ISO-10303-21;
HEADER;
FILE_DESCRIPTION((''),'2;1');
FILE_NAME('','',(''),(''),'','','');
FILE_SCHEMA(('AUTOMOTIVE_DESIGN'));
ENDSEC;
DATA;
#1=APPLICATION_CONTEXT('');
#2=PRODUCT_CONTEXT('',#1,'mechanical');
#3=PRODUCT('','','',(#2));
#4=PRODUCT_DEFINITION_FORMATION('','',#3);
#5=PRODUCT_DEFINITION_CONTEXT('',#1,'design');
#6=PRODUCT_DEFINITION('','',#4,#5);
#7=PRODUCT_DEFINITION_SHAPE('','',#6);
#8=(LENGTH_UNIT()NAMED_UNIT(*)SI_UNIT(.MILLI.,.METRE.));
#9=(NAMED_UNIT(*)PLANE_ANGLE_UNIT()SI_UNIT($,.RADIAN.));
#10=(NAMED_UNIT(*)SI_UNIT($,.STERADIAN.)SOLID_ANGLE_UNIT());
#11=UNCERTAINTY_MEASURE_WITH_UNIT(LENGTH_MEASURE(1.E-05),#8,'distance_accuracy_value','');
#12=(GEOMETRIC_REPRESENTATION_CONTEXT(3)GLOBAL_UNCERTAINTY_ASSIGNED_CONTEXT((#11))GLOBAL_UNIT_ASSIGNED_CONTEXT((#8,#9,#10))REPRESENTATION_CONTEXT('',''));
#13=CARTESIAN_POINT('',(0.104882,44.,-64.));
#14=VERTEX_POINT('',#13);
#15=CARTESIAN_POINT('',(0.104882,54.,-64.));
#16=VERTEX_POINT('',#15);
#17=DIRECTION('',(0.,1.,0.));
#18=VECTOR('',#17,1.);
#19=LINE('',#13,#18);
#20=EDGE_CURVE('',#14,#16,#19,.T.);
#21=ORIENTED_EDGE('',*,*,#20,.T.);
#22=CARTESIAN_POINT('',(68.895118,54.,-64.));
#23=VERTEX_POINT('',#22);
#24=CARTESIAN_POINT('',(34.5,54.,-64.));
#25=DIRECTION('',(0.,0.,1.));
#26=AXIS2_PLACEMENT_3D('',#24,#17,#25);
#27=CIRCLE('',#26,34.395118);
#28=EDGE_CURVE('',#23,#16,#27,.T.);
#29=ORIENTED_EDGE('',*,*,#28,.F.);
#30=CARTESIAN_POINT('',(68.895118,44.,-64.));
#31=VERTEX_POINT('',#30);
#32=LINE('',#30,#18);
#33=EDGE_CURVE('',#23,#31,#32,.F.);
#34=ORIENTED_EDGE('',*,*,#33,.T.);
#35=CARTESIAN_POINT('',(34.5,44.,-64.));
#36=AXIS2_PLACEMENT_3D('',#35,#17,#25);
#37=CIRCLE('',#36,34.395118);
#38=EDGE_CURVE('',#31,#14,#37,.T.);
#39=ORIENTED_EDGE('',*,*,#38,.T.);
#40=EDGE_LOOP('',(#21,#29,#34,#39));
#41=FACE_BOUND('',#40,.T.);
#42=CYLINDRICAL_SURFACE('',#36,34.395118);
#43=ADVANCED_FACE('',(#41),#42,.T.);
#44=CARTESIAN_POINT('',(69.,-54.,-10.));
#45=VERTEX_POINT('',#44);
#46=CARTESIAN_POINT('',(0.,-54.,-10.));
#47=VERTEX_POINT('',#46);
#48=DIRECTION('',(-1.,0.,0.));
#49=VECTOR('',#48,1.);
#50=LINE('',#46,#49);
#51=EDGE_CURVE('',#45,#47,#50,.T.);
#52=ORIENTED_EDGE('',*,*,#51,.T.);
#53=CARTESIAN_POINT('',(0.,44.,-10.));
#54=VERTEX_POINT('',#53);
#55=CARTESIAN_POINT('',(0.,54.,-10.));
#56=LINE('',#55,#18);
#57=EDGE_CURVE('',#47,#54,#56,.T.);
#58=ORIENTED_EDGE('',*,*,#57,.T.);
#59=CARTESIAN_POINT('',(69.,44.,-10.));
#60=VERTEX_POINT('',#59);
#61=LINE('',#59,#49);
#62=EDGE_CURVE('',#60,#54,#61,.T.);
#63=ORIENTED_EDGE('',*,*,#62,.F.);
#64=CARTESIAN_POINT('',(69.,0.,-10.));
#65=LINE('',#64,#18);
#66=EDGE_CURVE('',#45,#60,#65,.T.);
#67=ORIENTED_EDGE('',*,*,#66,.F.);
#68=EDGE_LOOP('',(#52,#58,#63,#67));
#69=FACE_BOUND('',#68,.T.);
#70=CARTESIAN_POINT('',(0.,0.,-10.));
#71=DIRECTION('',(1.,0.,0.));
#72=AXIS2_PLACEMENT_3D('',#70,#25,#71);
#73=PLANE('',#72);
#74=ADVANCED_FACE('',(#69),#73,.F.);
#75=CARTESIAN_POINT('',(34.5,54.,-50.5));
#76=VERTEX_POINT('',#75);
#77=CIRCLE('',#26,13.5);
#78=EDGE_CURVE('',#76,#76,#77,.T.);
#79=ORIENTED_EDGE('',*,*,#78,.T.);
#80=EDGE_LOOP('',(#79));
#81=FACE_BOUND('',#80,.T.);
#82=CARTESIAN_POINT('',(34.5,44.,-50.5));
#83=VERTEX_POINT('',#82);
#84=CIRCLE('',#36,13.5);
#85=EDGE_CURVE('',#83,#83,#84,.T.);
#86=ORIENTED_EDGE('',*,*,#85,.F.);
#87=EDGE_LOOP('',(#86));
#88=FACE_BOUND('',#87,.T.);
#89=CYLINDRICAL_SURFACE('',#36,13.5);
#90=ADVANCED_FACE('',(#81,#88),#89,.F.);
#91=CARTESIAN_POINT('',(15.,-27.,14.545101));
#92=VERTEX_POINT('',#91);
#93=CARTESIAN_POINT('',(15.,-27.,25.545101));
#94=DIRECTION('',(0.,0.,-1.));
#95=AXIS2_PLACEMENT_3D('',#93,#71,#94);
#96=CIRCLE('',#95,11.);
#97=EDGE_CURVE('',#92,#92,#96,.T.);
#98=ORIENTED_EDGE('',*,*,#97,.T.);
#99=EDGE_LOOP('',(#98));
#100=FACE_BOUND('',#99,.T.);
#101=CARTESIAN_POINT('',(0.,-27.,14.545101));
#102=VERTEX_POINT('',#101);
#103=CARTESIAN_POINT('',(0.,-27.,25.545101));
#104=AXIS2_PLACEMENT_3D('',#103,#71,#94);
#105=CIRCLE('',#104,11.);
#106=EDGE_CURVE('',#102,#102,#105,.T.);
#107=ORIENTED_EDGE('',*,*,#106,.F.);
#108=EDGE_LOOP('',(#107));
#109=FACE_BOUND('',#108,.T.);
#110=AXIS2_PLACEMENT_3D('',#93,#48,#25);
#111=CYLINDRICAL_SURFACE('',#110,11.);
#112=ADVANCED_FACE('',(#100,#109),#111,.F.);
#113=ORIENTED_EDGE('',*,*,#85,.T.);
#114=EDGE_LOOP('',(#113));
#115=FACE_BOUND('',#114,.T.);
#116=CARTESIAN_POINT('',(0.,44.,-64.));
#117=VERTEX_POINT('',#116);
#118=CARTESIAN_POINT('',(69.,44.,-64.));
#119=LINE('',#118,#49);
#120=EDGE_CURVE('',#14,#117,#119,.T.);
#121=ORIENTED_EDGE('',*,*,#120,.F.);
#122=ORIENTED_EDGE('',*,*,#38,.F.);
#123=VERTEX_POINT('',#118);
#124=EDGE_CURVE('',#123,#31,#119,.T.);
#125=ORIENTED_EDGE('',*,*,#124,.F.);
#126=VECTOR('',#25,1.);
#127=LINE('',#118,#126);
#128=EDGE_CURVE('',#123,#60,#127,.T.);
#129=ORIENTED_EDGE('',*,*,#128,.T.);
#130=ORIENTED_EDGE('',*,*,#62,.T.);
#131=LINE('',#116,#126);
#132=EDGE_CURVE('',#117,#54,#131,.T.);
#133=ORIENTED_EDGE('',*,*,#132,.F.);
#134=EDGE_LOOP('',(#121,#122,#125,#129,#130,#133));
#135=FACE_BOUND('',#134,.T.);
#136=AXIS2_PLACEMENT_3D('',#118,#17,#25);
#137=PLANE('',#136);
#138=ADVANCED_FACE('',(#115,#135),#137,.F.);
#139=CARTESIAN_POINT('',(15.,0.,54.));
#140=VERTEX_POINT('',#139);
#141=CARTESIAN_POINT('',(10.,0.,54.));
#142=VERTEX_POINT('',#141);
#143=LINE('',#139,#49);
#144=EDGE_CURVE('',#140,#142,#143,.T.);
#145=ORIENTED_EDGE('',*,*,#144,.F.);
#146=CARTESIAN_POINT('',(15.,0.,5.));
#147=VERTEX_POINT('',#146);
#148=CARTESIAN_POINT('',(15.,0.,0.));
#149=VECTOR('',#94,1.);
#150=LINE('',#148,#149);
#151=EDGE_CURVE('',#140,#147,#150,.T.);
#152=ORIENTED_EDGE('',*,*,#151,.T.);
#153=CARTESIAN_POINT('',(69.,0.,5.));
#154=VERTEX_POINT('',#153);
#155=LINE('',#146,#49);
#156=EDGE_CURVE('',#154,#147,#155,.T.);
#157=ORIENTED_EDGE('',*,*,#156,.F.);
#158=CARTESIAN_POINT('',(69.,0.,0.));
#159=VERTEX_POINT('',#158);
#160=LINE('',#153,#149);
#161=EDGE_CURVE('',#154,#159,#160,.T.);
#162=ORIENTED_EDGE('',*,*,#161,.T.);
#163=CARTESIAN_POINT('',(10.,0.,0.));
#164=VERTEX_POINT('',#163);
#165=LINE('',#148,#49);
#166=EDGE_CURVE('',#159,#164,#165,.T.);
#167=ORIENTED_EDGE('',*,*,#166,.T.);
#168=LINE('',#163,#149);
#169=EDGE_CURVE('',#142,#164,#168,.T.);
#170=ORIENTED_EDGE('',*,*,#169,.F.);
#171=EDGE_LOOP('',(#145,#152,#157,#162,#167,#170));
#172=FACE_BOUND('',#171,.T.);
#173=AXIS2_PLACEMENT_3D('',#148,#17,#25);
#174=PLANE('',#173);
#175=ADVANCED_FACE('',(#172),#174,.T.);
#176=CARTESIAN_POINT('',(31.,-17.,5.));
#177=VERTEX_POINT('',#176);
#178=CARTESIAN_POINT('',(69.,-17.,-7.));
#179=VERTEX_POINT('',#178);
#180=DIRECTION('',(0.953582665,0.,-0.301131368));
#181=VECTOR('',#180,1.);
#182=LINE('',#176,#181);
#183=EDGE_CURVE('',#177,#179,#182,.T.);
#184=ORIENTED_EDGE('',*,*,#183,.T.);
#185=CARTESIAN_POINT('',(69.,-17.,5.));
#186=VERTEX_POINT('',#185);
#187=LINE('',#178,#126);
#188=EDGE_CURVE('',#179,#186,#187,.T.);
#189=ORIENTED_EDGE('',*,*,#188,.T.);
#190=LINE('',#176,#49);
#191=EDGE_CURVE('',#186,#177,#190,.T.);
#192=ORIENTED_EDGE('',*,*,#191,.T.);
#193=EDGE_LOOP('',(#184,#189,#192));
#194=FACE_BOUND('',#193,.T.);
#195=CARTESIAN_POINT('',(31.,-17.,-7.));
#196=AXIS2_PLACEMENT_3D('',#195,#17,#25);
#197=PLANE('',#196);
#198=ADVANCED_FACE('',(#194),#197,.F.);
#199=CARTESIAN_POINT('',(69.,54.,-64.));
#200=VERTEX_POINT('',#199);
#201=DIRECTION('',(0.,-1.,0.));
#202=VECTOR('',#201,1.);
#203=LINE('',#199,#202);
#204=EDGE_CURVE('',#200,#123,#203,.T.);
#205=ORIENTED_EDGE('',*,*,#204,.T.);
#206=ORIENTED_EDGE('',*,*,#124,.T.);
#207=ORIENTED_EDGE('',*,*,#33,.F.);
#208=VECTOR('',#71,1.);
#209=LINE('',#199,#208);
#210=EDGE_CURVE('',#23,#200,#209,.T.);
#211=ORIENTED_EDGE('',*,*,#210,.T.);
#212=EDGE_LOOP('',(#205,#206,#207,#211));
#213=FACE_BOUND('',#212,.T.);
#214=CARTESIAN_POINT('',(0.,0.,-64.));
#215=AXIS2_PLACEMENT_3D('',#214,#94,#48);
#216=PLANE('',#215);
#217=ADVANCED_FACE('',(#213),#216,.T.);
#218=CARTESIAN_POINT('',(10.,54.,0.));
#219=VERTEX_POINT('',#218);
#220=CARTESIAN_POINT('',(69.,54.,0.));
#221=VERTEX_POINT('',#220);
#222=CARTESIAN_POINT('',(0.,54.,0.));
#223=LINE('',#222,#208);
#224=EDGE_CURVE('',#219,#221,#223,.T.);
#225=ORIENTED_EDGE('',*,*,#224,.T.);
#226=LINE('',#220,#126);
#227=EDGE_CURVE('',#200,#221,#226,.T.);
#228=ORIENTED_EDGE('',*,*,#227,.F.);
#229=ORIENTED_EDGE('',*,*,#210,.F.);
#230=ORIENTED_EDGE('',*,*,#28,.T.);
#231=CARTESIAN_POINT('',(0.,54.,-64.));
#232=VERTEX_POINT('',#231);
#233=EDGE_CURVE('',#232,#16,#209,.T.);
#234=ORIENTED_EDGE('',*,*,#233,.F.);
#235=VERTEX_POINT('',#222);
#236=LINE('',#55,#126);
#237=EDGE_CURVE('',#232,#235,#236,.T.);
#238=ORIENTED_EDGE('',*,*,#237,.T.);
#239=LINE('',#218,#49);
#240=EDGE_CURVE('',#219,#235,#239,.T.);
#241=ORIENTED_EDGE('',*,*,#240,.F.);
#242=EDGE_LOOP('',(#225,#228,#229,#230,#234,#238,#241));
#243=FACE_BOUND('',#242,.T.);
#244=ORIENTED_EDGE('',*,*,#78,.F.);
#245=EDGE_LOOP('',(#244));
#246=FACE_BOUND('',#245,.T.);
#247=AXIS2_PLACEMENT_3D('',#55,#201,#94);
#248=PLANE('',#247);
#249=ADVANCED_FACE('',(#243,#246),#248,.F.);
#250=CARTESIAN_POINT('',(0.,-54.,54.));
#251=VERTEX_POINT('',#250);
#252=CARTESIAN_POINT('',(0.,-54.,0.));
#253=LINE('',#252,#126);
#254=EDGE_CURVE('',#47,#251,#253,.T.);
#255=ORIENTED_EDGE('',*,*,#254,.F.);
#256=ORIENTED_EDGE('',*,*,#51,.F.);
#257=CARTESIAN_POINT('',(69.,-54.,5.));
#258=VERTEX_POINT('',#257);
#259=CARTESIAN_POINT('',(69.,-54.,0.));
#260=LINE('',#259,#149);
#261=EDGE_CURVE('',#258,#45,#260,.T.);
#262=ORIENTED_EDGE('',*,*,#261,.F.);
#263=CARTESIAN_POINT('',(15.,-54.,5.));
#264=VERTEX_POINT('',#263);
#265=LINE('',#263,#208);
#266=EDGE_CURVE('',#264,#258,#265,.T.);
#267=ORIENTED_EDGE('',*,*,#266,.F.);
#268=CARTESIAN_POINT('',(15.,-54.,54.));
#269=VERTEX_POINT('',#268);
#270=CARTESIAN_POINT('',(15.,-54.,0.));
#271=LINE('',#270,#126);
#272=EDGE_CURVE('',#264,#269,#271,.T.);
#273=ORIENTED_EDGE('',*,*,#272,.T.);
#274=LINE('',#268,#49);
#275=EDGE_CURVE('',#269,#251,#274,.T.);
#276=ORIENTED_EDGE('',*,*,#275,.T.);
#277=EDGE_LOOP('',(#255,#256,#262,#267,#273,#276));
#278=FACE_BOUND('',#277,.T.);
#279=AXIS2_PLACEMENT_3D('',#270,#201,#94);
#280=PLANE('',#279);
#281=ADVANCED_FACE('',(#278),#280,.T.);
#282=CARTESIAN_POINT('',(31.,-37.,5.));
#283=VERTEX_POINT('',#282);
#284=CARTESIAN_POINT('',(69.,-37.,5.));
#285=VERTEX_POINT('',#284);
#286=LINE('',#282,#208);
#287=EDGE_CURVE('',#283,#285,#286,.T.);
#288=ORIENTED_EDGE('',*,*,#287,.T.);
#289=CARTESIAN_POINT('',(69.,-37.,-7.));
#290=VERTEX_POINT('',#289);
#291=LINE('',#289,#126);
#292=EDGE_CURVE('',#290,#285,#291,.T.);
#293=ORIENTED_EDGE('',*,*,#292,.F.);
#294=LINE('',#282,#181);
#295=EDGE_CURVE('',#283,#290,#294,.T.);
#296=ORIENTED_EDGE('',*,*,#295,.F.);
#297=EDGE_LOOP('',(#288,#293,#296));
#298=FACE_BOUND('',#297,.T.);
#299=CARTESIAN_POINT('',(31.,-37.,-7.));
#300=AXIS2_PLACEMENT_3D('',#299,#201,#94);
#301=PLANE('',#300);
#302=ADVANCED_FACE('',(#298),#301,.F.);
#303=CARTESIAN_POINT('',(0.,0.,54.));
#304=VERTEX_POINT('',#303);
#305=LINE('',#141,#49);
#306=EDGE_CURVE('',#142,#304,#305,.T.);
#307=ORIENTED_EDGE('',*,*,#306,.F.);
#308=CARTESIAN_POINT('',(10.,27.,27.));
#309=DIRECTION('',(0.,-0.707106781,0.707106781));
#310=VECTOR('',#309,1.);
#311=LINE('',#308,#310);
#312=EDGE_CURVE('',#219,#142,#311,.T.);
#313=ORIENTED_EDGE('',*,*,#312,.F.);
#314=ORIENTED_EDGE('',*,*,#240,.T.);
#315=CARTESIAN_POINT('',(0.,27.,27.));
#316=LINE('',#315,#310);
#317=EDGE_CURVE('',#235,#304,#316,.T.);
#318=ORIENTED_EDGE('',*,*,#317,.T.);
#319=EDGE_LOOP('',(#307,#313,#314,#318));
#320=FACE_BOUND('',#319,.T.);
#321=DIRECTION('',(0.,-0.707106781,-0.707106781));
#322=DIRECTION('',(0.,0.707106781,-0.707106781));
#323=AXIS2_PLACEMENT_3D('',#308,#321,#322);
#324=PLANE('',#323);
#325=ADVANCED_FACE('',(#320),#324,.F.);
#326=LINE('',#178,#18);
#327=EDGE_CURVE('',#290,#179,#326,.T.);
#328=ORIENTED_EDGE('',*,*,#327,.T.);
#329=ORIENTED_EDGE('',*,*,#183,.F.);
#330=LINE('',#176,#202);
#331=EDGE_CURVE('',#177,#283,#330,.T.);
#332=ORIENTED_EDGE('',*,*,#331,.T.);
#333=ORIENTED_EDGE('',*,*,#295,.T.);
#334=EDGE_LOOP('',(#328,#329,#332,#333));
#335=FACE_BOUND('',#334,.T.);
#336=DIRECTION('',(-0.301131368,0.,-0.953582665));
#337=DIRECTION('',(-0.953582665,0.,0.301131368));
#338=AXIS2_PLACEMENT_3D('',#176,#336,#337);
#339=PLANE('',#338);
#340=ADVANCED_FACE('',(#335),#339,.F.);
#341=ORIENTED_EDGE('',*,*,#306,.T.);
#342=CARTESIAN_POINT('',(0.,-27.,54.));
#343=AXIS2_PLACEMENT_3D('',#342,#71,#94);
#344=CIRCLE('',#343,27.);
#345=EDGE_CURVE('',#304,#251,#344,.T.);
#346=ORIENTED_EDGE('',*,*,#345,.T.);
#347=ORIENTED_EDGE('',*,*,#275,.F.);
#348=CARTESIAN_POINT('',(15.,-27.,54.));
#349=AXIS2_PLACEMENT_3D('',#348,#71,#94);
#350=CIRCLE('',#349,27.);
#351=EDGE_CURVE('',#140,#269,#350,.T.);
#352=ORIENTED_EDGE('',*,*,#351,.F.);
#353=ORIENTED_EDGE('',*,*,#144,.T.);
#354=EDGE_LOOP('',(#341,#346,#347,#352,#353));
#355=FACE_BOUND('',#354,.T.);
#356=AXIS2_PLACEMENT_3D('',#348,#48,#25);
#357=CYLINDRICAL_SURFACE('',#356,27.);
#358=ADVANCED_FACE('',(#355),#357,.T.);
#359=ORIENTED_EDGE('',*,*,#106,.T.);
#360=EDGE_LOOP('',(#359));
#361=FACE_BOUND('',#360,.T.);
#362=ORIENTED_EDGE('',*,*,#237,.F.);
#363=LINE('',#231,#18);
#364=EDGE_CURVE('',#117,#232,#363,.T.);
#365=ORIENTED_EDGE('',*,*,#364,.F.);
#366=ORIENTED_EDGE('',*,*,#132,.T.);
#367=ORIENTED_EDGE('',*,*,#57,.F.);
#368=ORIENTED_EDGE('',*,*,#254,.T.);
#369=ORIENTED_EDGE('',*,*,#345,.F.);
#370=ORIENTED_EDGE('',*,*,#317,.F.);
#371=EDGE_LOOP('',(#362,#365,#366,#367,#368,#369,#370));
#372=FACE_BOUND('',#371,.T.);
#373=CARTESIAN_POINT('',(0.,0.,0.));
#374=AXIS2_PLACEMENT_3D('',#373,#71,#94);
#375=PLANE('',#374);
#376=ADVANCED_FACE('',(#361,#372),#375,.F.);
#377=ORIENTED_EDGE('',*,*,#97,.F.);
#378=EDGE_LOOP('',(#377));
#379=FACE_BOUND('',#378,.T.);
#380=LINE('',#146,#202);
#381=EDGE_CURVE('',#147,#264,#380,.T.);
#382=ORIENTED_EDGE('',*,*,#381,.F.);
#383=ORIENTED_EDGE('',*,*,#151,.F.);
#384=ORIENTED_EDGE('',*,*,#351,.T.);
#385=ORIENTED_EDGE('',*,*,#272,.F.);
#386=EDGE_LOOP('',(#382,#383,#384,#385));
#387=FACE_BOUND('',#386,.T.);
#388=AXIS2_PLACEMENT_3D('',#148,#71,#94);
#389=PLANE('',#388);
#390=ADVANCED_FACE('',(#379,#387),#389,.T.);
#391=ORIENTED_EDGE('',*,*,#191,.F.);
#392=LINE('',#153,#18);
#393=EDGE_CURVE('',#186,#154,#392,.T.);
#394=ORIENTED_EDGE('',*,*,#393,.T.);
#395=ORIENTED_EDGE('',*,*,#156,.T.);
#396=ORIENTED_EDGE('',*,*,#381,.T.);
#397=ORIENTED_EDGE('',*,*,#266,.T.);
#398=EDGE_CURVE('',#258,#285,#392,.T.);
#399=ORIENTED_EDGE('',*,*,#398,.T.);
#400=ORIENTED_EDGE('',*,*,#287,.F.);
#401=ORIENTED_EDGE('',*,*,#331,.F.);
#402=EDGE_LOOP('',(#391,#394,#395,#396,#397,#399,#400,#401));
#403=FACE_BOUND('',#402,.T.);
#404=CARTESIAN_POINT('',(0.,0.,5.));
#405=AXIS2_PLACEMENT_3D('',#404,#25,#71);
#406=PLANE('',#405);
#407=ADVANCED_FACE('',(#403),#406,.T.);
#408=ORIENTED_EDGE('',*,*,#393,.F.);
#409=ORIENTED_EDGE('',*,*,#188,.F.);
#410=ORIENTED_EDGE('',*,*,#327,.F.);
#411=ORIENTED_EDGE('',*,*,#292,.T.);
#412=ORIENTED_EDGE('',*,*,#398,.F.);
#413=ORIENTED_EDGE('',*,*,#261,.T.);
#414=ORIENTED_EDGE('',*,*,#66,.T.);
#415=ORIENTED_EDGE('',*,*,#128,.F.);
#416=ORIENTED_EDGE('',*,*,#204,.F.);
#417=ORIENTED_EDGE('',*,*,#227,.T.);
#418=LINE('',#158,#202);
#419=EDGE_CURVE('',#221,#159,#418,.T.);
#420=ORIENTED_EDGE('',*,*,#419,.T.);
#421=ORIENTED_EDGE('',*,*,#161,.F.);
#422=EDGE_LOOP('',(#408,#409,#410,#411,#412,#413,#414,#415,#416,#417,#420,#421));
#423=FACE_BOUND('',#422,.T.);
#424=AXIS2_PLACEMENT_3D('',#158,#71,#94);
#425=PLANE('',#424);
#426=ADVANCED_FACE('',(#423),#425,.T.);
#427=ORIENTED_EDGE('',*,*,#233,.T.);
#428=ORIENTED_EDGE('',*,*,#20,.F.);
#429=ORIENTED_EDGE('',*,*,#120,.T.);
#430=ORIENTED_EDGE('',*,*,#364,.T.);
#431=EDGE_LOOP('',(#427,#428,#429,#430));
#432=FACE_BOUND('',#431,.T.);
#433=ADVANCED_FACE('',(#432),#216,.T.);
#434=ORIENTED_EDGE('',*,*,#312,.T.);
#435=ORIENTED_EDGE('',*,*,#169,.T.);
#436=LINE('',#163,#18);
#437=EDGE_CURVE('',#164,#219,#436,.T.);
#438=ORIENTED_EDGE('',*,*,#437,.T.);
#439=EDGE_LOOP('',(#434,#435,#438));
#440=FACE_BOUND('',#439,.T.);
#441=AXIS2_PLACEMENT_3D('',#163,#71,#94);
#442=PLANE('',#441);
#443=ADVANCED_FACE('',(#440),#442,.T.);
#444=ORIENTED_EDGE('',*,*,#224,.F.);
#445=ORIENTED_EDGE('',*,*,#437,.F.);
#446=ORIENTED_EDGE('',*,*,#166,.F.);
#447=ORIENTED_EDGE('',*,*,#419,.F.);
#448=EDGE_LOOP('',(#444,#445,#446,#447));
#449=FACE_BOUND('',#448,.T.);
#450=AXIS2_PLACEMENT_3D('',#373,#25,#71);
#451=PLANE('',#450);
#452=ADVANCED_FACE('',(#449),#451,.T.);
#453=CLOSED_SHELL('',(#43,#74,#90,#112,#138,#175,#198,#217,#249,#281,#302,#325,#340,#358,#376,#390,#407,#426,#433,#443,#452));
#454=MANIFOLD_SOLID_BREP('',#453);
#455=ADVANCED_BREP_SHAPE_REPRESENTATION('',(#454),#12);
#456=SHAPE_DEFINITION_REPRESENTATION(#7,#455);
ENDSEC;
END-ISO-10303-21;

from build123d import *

# Parameters (mm, degrees)
BOSS_EXTRUDE1_DEPTH = 10
SKETCH2_3_R         = 11
BOSS_EXTRUDE2_DEPTH = 15
SKETCH3_W           = 15
SKETCH3_H           = 108
BOSS_EXTRUDE3_DEPTH = 10
BOSS_EXTRUDE4_DEPTH = 54
SKETCH5_W           = 54
SKETCH5_H           = 54
BOSS_EXTRUDE5_DEPTH = 5
SKETCH8_W           = 69
SKETCH8_H           = 10
BOSS_EXTRUDE6_DEPTH = 54
SKETCH10_R          = 34.395117581
SKETCH10_R_2        = 13.5
BOSS_EXTRUDE7_DEPTH = 10
SKETCH11_R          = 13.5
CUT_EXTRUDE1_DEPTH  = 10
SKETCH12_W          = 38
SKETCH12_H          = 20
CUT_EXTRUDE2_DEPTH  = 12
BOSS_EXTRUDE9_DEPTH = 20


with BuildPart() as part:
    # Sketch2 → Boss-Extrude1 (new body)
    with BuildSketch(Plane(origin=(0, 0, 0), x_dir=(0, 0, -1), z_dir=(1, 0, 0))):
        Polygon((-54, 0), (0, 0), (0, 54), align=None)
    extrude(amount=BOSS_EXTRUDE1_DEPTH)

    # Sketch2<3> → Boss-Extrude2 (add)
    with BuildSketch(Plane(origin=(0, 0, 0), x_dir=(0, 0, -1), z_dir=(1, 0, 0))):
        with BuildLine():
            Line((0, -54), (0, 0))
            Line((0, 0), (-54, 0))
            ThreePointArc((-54, 0), (-81, -27), (-54, -54))
            Line((-54, -54), (0, -54))
        make_face()
        with Locations((-25.545100882, -27)):
            Circle(SKETCH2_3_R, mode=Mode.SUBTRACT)
    extrude(amount=BOSS_EXTRUDE2_DEPTH)

    # Sketch3 → Boss-Extrude3 (add)
    with BuildSketch(Plane(origin=(0, 0, 0), x_dir=(-1, 0, 0), z_dir=(0, 0, -1))):
        with Locations((-7.5, 0)):
            Rectangle(SKETCH3_W, SKETCH3_H)
    extrude(amount=BOSS_EXTRUDE3_DEPTH)

    # Sketch4 → Boss-Extrude4 (add)
    with BuildSketch(Plane(origin=(15, 0, 0), x_dir=(0, 0, -1), z_dir=(1, 0, 0))):
        Polygon((10, 54), (0, 54), (0, 0), (0, -54), (10, -54), align=None)
    extrude(amount=BOSS_EXTRUDE4_DEPTH)

    # Sketch5 → Boss-Extrude5 (add)
    with BuildSketch(Plane.XY):
        with Locations((42, -27)):
            Rectangle(SKETCH5_W, SKETCH5_H)
    extrude(amount=BOSS_EXTRUDE5_DEPTH)

    # Sketch8 → Boss-Extrude6 (add)
    with BuildSketch(Plane(origin=(0, 0, -10), x_dir=(-1, 0, 0), z_dir=(0, 0, -1))):
        with Locations((-34.5, 49)):
            Rectangle(SKETCH8_W, SKETCH8_H)
    extrude(amount=BOSS_EXTRUDE6_DEPTH)

    # Sketch10 → Boss-Extrude7 (add)
    with BuildSketch(Plane(origin=(0, 54, 0), x_dir=(1, 0, 0), z_dir=(0, 1, 0))):
        with Locations((34.5, 64)):
            Circle(SKETCH10_R)
        with Locations((34.5, 64)):
            Circle(SKETCH10_R_2, mode=Mode.SUBTRACT)
    extrude(amount=-BOSS_EXTRUDE7_DEPTH)

    # Sketch11 → Cut-Extrude1 (cut)
    with BuildSketch(Plane(origin=(0, 54, 0), x_dir=(1, 0, 0), z_dir=(0, 1, 0))):
        with Locations((34.5, 64)):
            Circle(SKETCH11_R)
    extrude(amount=-CUT_EXTRUDE1_DEPTH, mode=Mode.SUBTRACT)

    # Sketch12 → Cut-Extrude2 (cut)
    with BuildSketch(Plane.XY.offset(5)):
        with Locations((50, -27)):
            Rectangle(SKETCH12_W, SKETCH12_H)
    extrude(amount=-CUT_EXTRUDE2_DEPTH, mode=Mode.SUBTRACT)

    # Sketch14 → Boss-Extrude9 (add)
    with BuildSketch(Plane(origin=(0, -37, 0), x_dir=(1, 0, 0), z_dir=(0, 1, 0))):
        Polygon((31, -5), (69, 7), (31, 7), align=None)
    extrude(amount=BOSS_EXTRUDE9_DEPTH)


solid = part.part
